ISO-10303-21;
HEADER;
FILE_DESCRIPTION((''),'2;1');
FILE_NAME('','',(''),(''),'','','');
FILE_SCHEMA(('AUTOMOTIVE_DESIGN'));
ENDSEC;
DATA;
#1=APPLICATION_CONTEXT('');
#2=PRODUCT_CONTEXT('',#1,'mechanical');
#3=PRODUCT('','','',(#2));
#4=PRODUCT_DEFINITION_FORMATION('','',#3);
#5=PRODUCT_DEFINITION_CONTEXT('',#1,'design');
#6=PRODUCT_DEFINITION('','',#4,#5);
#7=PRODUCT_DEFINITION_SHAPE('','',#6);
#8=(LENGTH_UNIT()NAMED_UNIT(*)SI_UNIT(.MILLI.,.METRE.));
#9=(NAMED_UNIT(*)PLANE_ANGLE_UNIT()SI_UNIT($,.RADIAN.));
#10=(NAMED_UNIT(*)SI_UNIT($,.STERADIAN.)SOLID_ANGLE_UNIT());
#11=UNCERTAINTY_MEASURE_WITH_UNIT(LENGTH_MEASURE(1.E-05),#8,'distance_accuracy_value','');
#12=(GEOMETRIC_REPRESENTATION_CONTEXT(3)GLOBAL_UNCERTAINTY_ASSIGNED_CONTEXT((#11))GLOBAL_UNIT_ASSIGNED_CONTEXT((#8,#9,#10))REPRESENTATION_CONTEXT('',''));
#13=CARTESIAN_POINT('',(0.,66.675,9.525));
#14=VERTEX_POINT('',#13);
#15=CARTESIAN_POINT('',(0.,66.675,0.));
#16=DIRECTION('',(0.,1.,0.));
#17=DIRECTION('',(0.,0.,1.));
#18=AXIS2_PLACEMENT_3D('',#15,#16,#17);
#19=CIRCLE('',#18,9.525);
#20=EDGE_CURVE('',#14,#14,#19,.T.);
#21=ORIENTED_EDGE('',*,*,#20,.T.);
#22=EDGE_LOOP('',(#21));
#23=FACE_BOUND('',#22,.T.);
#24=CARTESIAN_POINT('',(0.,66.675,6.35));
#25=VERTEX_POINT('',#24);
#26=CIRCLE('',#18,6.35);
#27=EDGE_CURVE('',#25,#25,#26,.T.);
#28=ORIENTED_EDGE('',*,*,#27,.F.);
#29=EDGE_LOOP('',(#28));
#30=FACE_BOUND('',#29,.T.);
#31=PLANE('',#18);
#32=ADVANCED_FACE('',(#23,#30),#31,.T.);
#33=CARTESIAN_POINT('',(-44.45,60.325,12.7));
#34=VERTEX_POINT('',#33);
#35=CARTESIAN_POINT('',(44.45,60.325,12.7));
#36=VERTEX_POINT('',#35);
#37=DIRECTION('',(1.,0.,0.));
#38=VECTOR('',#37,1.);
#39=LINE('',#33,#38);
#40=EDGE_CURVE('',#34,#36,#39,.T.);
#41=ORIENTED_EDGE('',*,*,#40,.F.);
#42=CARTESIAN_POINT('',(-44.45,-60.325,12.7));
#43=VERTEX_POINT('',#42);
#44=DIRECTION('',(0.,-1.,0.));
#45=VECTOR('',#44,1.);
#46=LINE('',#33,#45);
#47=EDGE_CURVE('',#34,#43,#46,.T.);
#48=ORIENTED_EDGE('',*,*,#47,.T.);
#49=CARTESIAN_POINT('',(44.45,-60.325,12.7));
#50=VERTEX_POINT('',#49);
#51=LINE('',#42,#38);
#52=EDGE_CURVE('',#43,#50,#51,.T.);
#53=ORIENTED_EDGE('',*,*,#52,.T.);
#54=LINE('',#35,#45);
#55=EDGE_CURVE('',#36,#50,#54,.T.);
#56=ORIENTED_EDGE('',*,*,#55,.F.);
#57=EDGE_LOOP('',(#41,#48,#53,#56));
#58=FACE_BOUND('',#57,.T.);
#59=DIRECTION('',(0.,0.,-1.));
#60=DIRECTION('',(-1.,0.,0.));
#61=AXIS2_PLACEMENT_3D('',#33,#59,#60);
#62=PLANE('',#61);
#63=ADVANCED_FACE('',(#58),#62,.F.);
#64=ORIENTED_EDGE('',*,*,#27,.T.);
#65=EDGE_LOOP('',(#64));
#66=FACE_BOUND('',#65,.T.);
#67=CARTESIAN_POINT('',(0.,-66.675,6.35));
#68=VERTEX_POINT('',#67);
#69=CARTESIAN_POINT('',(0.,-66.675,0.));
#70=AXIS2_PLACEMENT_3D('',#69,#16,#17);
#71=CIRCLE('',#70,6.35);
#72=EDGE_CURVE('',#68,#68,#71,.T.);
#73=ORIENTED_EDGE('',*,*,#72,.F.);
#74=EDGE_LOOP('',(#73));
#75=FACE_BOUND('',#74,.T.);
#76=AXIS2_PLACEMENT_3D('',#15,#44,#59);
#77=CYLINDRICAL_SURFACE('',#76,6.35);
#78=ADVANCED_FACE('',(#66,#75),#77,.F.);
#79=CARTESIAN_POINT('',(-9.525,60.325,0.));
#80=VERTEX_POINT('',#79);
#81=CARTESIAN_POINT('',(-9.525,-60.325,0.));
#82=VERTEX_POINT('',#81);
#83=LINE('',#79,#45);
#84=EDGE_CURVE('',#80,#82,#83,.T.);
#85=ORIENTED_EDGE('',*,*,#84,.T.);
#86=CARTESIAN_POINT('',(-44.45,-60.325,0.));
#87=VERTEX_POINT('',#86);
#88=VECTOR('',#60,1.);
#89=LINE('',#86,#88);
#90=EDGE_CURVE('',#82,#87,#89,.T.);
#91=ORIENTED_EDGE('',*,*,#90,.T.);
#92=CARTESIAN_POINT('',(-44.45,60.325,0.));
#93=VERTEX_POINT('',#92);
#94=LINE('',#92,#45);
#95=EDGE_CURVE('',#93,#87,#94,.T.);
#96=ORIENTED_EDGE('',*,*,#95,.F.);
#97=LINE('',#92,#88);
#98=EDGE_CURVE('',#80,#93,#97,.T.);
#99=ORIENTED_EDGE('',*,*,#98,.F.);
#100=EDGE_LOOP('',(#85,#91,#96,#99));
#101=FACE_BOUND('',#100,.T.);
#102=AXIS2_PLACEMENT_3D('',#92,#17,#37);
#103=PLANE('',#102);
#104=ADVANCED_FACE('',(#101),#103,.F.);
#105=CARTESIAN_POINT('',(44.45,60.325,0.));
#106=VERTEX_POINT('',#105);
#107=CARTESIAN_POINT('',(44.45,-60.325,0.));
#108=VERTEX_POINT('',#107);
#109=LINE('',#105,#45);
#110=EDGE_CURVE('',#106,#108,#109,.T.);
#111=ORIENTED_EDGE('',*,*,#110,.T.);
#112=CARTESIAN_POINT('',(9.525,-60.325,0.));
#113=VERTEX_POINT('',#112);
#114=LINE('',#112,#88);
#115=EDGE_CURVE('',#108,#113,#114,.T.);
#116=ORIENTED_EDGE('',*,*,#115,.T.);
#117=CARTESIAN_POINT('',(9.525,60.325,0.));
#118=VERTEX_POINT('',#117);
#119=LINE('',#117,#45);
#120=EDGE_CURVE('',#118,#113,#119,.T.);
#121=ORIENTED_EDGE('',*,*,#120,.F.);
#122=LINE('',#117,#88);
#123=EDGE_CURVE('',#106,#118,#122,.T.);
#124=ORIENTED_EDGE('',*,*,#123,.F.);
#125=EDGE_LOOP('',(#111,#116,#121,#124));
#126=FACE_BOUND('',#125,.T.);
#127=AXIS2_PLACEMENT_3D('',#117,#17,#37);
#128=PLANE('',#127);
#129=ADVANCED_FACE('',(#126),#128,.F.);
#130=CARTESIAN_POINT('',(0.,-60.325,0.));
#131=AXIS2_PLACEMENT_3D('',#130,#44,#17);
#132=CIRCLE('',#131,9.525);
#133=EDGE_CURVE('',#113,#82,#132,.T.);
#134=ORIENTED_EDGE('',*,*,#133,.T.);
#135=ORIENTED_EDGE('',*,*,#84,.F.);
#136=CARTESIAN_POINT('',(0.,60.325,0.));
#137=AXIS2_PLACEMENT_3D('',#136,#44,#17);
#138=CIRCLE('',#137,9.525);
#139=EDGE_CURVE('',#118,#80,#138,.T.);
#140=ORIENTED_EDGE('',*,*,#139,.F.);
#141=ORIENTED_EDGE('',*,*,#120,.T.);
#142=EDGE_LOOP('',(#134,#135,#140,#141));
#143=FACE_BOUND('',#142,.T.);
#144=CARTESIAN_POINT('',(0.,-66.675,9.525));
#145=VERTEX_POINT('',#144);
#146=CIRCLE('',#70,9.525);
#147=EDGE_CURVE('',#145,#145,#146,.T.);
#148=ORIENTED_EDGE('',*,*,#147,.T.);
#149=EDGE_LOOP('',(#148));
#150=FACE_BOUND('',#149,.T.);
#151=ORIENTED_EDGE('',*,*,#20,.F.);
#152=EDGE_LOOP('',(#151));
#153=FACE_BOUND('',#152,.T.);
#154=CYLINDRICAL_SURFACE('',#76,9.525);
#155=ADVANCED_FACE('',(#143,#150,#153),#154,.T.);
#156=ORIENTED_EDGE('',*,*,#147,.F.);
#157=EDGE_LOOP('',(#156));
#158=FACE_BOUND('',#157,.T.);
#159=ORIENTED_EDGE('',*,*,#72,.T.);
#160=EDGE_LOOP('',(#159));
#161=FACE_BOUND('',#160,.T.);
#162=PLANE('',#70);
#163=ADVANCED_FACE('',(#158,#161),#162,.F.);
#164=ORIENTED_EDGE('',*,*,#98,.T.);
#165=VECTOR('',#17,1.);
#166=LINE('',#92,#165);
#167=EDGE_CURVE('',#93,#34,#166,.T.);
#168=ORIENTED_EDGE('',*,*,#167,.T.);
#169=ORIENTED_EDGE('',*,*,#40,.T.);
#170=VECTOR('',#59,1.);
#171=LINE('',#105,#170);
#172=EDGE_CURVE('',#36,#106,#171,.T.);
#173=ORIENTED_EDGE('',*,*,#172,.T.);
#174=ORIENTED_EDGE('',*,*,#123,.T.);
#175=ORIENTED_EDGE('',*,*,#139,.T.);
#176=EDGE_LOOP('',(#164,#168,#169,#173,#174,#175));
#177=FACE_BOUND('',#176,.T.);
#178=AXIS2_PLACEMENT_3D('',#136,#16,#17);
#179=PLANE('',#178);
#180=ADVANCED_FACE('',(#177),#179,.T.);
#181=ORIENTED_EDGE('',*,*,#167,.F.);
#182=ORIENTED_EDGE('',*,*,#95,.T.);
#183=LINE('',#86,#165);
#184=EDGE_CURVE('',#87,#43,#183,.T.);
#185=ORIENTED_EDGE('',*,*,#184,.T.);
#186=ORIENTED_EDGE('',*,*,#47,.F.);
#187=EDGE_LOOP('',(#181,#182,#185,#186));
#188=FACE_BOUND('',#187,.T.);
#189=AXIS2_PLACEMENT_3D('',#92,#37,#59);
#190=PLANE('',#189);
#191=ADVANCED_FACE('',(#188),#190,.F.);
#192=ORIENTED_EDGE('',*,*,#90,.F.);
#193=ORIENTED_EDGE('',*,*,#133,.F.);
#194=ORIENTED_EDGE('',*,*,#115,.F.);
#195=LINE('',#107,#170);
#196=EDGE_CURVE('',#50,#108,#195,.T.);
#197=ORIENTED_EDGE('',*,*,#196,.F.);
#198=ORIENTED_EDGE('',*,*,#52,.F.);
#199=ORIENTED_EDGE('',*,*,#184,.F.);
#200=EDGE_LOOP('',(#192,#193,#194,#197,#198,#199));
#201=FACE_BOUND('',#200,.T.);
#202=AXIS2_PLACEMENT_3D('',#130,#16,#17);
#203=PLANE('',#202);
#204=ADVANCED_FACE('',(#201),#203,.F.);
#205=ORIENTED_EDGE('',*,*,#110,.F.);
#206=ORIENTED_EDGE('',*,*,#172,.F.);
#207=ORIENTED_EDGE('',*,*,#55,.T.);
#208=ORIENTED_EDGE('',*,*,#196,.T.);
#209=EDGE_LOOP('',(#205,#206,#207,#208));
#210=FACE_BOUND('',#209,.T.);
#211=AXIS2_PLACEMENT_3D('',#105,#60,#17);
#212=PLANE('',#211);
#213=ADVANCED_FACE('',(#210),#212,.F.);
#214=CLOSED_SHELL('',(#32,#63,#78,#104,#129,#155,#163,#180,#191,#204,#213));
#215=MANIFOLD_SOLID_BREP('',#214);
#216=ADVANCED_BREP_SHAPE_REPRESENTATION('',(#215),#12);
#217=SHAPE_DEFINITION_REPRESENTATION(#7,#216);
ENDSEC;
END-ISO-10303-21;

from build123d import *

# Parameters (mm, degrees)
SKETCH1_R           = 9.525
SKETCH1_R_2         = 6.35
BOSS_EXTRUDE1_DEPTH = 66.675
BOSS_EXTRUDE2_DEPTH = 60.325


with BuildPart() as part:
    # Sketch1 → Boss-Extrude1 (new, symmetric)
    with BuildSketch(Plane(origin=(0, 0, 0), x_dir=(1, 0, 0), z_dir=(0, 1, 0))):
        with Locations(Location((0, 0, 0), (0, 0, 270))):
            Circle(SKETCH1_R)
        with Locations(Location((0, 0, 0), (0, 0, 270))):
            Circle(SKETCH1_R_2, mode=Mode.SUBTRACT)
    extrude(amount=BOSS_EXTRUDE1_DEPTH, both=True)

    # Sketch2 → Boss-Extrude2 (add, symmetric)
    with BuildSketch(Plane(origin=(0, 0, 0), x_dir=(1, 0, 0), z_dir=(0, 1, 0))):
        with BuildLine():
            Line((9.525, 0), (44.45, 0))
            Line((44.45, 0), (44.45, -12.7))
            Line((44.45, -12.7), (-44.45, -12.7))
            Line((-44.45, -12.7), (-44.45, 0))
            Line((-44.45, 0), (-9.525, 0))
            ThreePointArc((-9.525, 0), (0, -9.525), (9.525, 0))
        make_face()
    extrude(amount=BOSS_EXTRUDE2_DEPTH, both=True)


solid = part.part
